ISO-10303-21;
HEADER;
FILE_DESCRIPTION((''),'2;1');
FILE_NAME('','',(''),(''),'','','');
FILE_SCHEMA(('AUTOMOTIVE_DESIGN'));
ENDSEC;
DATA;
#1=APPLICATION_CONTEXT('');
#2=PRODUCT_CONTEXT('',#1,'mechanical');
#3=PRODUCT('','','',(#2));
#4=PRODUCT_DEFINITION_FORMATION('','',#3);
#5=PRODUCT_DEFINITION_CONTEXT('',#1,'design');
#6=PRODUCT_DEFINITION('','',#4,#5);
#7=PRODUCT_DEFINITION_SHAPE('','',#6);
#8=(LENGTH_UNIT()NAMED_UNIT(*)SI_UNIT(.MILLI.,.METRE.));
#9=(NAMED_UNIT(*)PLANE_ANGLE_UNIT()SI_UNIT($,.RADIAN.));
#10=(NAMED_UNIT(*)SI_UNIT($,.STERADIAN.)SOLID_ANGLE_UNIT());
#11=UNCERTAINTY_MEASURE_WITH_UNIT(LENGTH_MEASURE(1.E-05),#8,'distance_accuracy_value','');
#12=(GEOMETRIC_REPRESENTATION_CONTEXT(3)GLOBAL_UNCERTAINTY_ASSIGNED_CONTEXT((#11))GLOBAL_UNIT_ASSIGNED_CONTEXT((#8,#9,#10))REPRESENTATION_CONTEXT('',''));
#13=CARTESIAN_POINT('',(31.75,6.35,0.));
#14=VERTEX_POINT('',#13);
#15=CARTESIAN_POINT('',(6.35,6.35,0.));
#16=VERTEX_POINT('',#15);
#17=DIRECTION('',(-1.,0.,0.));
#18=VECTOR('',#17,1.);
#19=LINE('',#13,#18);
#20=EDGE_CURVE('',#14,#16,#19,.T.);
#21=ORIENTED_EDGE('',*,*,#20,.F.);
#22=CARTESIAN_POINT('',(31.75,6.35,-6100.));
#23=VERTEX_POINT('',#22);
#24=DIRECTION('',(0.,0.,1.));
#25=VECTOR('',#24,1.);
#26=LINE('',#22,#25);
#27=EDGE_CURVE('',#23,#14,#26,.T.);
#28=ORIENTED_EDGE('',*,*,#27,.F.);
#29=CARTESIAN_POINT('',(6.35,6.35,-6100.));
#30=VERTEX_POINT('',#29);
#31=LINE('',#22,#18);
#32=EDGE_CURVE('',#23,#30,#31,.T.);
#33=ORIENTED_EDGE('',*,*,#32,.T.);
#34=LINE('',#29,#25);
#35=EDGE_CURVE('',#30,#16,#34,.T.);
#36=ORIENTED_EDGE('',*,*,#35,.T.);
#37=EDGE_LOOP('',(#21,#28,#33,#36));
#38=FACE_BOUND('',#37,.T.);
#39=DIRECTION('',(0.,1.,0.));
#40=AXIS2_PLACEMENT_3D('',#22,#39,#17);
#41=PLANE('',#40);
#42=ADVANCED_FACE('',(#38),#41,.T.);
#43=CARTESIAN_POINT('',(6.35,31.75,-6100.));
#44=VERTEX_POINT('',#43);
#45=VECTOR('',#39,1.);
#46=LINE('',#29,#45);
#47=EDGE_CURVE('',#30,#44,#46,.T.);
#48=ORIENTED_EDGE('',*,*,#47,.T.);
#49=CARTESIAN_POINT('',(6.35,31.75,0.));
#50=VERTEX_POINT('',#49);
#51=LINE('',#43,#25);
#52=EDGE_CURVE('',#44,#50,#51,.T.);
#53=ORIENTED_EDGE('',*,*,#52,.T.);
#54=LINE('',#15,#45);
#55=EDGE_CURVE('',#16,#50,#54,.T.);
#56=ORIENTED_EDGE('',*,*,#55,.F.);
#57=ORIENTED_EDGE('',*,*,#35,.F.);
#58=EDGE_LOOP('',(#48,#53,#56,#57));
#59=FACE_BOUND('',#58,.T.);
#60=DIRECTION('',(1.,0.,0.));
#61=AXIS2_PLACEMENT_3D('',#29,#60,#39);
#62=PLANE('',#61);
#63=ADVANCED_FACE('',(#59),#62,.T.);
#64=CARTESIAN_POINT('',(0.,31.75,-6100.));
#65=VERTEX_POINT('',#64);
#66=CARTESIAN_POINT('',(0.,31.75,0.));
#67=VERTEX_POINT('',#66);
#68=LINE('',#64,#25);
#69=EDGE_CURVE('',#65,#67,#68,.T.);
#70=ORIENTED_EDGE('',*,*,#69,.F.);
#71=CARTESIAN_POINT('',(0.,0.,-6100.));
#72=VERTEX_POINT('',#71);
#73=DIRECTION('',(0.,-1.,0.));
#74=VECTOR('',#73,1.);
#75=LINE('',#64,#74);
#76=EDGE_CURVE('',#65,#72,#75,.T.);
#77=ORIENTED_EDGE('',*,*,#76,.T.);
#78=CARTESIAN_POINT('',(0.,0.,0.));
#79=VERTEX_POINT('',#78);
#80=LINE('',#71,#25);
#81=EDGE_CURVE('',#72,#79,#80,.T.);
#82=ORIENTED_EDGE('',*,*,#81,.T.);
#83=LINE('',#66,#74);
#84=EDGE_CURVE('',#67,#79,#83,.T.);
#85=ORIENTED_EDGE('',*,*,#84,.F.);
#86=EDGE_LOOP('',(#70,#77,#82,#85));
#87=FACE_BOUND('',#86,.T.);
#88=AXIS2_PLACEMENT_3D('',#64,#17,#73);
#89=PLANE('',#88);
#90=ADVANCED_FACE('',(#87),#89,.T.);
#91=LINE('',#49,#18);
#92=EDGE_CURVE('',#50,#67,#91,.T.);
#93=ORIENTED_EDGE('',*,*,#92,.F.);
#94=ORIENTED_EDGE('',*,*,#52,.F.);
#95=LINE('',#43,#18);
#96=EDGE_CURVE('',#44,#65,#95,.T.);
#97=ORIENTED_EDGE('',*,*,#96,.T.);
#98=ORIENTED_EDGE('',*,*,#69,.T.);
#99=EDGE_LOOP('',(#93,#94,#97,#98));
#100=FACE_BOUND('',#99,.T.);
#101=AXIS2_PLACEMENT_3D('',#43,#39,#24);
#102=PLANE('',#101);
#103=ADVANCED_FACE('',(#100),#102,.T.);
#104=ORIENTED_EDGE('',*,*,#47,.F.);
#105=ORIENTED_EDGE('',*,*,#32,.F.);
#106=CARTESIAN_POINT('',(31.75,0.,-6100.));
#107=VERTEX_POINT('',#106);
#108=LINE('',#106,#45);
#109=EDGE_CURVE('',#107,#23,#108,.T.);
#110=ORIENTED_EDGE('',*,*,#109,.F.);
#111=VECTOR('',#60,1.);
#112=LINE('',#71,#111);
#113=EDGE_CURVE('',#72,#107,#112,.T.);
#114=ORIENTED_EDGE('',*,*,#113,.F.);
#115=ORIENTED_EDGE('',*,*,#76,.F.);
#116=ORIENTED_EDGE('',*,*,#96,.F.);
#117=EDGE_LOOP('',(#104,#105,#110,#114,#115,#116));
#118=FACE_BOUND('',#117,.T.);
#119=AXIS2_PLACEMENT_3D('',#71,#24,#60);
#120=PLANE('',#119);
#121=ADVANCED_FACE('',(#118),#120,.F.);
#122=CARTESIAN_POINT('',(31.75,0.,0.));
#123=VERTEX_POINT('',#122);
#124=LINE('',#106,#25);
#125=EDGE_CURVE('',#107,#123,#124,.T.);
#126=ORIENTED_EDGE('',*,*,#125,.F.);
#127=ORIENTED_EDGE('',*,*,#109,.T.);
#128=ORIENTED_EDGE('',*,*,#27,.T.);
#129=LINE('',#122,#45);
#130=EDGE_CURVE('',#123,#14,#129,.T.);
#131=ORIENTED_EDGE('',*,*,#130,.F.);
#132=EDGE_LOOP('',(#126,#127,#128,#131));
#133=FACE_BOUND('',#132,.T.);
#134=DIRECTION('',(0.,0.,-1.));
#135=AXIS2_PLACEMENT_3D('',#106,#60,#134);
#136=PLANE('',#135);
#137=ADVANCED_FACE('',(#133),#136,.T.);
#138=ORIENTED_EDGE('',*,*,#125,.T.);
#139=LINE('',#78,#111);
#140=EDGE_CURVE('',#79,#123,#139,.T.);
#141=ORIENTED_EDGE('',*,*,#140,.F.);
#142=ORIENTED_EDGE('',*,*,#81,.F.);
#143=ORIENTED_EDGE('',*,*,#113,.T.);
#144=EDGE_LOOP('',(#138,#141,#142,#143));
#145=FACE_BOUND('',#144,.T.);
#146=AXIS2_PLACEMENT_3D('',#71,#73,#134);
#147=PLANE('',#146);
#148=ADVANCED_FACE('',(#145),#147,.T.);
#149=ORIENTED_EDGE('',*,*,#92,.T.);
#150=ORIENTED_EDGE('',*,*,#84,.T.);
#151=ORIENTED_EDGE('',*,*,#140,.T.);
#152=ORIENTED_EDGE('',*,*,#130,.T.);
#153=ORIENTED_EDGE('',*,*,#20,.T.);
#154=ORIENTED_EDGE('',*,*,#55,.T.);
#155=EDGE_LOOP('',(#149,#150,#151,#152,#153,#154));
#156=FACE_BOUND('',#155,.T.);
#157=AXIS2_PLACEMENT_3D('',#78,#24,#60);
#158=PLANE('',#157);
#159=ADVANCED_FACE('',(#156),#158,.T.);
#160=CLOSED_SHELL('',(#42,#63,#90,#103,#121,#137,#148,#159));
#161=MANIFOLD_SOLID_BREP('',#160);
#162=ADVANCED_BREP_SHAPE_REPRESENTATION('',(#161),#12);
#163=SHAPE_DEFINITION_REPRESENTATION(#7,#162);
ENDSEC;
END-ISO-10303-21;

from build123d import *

# Parameters (mm, degrees)
SALIENTE_EXTRUIR1_DEPTH = 6100


with BuildPart() as part:
    # Croquis1 → Saliente-Extruir1 (new body)
    with BuildSketch(Plane.XY):
        Polygon((0, 31.75), (0, 0), (31.75, 0), (31.75, 6.35), (6.35, 6.35), (6.35, 31.75), align=None)
    extrude(amount=-SALIENTE_EXTRUIR1_DEPTH)


solid = part.part
